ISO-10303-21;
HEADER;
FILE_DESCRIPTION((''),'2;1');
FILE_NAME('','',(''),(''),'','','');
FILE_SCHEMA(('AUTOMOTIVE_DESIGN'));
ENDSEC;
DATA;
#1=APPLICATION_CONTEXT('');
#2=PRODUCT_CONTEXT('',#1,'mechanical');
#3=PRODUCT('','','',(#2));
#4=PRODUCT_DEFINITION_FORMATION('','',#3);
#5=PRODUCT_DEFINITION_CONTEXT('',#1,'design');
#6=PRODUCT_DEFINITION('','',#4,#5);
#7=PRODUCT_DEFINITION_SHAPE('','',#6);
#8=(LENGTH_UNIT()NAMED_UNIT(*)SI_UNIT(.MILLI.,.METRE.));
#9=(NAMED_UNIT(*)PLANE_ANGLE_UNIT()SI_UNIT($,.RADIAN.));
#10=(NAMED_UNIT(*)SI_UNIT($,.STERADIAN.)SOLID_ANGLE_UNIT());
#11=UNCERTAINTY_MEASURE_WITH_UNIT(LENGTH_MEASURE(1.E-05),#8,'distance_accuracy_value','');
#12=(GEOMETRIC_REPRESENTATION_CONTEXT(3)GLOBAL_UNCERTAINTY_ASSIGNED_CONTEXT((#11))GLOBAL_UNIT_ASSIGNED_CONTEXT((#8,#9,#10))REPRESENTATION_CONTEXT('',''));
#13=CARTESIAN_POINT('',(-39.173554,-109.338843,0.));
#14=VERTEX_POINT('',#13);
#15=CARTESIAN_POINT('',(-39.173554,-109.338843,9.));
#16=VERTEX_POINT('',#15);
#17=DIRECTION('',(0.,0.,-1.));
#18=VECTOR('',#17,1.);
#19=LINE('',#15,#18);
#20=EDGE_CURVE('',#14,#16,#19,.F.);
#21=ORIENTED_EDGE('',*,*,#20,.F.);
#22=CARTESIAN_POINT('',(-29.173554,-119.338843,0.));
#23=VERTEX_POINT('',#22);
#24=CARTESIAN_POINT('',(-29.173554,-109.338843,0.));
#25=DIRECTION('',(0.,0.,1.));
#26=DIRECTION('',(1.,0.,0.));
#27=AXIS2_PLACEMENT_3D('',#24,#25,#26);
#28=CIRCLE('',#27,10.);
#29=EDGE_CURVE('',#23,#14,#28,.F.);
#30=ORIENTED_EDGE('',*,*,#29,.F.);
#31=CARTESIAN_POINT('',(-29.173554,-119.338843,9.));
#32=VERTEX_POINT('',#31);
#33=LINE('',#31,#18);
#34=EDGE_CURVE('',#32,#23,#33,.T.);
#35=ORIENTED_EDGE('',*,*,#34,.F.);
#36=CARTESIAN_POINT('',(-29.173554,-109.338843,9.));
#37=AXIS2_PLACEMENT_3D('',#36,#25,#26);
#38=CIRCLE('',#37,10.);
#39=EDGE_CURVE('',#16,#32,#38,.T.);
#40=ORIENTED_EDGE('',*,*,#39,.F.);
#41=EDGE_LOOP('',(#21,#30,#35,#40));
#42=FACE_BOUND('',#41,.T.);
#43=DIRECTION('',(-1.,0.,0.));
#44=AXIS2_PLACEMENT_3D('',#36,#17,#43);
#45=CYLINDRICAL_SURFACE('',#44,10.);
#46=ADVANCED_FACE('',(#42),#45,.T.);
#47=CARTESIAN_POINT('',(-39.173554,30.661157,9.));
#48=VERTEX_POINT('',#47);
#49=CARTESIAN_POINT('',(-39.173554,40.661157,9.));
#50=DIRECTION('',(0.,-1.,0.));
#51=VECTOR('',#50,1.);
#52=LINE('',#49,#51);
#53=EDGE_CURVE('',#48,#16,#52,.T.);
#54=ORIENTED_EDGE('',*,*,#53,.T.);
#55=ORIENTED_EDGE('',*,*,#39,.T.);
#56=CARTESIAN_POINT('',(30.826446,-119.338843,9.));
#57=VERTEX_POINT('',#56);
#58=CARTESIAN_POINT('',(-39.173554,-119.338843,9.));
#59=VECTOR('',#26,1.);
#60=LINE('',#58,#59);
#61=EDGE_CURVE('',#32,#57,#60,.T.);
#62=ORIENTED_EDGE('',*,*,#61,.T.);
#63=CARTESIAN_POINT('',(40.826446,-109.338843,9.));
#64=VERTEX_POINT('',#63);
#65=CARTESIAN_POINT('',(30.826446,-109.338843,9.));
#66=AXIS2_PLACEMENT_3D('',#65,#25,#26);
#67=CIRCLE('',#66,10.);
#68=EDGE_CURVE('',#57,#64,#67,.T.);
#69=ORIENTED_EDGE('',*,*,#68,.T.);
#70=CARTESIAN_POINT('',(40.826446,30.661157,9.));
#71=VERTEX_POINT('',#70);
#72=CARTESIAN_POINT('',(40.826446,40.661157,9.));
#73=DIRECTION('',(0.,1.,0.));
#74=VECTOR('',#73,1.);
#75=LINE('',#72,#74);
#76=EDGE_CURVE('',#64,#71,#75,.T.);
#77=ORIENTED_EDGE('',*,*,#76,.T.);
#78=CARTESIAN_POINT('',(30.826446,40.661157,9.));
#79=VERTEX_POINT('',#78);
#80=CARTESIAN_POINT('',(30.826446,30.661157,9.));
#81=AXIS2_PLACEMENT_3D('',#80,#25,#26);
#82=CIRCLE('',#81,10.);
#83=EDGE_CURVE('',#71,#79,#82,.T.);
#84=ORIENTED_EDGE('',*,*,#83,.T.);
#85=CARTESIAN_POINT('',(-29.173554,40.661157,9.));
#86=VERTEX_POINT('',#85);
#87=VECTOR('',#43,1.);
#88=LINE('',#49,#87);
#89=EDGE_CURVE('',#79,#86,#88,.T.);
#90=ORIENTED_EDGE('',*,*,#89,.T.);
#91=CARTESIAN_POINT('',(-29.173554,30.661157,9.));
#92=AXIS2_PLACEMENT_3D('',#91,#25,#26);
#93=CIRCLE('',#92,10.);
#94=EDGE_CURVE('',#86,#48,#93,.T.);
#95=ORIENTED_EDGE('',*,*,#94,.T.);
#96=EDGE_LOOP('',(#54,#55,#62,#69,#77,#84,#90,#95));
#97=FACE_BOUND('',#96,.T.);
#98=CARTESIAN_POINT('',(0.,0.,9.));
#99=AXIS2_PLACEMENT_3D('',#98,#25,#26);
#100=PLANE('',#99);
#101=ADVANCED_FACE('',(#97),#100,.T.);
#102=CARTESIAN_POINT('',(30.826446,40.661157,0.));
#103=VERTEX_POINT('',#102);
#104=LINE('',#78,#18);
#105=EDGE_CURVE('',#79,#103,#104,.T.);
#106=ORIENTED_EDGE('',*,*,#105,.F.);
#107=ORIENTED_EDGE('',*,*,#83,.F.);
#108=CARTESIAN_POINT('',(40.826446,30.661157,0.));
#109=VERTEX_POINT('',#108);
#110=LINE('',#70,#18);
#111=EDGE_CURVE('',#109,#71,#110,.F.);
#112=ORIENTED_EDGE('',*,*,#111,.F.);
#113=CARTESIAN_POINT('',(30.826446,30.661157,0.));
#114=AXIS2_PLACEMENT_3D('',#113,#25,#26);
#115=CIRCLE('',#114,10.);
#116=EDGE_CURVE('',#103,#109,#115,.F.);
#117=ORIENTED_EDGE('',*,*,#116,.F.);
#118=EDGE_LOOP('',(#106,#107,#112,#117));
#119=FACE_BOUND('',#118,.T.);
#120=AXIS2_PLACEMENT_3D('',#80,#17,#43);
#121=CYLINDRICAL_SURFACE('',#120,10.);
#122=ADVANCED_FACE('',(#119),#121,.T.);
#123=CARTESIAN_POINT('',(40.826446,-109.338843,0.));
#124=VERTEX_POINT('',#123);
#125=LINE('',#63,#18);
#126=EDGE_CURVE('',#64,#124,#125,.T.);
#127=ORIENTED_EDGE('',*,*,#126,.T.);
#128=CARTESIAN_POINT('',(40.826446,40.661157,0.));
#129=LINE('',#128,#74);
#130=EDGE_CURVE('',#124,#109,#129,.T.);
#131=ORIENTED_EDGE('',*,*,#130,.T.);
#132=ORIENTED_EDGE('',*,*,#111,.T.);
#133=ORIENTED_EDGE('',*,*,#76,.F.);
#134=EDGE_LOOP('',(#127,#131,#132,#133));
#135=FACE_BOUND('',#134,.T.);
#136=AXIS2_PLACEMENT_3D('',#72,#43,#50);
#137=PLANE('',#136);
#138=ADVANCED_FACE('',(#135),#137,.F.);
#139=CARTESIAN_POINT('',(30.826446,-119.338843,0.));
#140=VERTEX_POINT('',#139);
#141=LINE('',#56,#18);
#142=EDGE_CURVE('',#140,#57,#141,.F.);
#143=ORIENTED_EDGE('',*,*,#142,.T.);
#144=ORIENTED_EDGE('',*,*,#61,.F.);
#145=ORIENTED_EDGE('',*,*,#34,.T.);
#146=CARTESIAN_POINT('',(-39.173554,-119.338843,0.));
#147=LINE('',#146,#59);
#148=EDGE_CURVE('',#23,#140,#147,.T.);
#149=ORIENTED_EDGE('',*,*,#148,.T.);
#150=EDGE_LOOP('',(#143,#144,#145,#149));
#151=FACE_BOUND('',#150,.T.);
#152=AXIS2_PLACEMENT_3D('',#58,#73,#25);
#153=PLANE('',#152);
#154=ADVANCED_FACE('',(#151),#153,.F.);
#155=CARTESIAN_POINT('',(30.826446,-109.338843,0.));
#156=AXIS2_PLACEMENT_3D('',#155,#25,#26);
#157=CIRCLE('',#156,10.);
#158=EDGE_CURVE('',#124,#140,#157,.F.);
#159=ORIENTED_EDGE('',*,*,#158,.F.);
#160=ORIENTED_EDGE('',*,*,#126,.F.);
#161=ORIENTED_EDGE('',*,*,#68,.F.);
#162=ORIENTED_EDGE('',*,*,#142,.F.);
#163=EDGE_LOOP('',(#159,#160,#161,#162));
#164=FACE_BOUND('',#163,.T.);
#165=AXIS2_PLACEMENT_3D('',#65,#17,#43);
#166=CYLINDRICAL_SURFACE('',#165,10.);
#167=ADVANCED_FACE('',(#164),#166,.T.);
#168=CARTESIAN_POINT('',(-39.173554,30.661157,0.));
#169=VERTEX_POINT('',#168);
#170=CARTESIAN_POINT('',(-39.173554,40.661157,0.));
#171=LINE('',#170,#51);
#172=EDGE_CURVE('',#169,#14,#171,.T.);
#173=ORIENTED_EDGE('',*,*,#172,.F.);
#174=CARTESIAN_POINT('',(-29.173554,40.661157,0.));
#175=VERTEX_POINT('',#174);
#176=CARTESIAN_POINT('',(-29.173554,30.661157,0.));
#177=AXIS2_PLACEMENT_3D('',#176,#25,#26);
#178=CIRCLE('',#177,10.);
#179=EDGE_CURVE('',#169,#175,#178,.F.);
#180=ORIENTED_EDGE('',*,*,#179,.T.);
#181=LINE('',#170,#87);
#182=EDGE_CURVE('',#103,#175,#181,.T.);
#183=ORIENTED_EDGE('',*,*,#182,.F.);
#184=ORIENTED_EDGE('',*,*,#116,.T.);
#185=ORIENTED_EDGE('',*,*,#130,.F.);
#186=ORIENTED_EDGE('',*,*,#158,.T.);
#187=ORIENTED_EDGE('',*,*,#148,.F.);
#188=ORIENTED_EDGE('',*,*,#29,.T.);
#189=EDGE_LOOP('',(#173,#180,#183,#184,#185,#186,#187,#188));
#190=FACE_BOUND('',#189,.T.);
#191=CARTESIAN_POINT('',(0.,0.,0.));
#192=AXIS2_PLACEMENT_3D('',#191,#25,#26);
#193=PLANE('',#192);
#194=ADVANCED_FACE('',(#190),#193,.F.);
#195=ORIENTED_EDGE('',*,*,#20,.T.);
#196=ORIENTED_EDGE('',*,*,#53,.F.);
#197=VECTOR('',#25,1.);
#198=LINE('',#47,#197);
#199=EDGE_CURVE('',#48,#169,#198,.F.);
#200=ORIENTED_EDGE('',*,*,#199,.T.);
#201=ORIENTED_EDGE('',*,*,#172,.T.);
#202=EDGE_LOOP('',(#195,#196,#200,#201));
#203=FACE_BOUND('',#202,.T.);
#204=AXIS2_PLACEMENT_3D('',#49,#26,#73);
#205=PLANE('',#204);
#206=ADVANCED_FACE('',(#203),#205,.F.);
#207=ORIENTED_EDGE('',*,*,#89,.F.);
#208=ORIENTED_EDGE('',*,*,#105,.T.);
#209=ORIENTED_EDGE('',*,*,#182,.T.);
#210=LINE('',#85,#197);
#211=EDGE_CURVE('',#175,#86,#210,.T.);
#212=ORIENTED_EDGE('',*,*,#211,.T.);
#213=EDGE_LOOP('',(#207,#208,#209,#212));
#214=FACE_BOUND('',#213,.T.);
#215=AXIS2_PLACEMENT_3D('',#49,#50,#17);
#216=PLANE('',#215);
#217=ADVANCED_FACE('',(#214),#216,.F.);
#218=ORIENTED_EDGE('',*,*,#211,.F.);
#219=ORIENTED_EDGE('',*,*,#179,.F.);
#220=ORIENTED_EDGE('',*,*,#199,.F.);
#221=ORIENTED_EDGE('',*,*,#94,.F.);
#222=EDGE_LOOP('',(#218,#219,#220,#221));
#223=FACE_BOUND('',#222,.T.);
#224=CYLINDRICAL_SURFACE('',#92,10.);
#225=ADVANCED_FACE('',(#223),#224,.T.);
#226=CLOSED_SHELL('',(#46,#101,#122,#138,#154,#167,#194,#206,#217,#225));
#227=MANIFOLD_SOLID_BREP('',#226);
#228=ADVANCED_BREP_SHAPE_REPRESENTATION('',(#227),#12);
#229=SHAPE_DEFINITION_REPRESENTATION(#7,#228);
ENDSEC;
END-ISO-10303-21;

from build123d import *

# Parameters (mm, degrees)
SKETCH_1_W      = 80
SKETCH_1_H      = 160
EXTRUDE_1_DEPTH = 9
FILLET_1_R      = 10
FILLET_2_R      = 10
FILLET_3_R      = 10
FILLET_4_R      = 10


with BuildPart() as part:
    # 草图1 → 凸台-拉伸1 (new body)
    with BuildSketch(Plane.XY):
        with Locations((0.826446281, -39.338842975)):
            Rectangle(SKETCH_1_W, SKETCH_1_H)
    extrude(amount=EXTRUDE_1_DEPTH)

    # 圆角1
    fillet_1_edges = [part.edges().sort_by_distance(p)[0] for p in [
        (-39.173553719, 40.661157025, 4.5),
    ]]
    fillet(fillet_1_edges, radius=FILLET_1_R)

    # 圆角2
    fillet_2_edges = [part.edges().sort_by_distance(p)[0] for p in [
        (40.826446281, 40.661157025, 4.5),
    ]]
    fillet(fillet_2_edges, radius=FILLET_2_R)

    # 圆角3
    fillet_3_edges = [part.edges().sort_by_distance(p)[0] for p in [
        (40.826446281, -119.338842975, 4.5),
    ]]
    fillet(fillet_3_edges, radius=FILLET_3_R)

    # 圆角4
    fillet_4_edges = [part.edges().sort_by_distance(p)[0] for p in [
        (-39.173553719, -119.338842975, 4.5),
    ]]
    fillet(fillet_4_edges, radius=FILLET_4_R)


solid = part.part
